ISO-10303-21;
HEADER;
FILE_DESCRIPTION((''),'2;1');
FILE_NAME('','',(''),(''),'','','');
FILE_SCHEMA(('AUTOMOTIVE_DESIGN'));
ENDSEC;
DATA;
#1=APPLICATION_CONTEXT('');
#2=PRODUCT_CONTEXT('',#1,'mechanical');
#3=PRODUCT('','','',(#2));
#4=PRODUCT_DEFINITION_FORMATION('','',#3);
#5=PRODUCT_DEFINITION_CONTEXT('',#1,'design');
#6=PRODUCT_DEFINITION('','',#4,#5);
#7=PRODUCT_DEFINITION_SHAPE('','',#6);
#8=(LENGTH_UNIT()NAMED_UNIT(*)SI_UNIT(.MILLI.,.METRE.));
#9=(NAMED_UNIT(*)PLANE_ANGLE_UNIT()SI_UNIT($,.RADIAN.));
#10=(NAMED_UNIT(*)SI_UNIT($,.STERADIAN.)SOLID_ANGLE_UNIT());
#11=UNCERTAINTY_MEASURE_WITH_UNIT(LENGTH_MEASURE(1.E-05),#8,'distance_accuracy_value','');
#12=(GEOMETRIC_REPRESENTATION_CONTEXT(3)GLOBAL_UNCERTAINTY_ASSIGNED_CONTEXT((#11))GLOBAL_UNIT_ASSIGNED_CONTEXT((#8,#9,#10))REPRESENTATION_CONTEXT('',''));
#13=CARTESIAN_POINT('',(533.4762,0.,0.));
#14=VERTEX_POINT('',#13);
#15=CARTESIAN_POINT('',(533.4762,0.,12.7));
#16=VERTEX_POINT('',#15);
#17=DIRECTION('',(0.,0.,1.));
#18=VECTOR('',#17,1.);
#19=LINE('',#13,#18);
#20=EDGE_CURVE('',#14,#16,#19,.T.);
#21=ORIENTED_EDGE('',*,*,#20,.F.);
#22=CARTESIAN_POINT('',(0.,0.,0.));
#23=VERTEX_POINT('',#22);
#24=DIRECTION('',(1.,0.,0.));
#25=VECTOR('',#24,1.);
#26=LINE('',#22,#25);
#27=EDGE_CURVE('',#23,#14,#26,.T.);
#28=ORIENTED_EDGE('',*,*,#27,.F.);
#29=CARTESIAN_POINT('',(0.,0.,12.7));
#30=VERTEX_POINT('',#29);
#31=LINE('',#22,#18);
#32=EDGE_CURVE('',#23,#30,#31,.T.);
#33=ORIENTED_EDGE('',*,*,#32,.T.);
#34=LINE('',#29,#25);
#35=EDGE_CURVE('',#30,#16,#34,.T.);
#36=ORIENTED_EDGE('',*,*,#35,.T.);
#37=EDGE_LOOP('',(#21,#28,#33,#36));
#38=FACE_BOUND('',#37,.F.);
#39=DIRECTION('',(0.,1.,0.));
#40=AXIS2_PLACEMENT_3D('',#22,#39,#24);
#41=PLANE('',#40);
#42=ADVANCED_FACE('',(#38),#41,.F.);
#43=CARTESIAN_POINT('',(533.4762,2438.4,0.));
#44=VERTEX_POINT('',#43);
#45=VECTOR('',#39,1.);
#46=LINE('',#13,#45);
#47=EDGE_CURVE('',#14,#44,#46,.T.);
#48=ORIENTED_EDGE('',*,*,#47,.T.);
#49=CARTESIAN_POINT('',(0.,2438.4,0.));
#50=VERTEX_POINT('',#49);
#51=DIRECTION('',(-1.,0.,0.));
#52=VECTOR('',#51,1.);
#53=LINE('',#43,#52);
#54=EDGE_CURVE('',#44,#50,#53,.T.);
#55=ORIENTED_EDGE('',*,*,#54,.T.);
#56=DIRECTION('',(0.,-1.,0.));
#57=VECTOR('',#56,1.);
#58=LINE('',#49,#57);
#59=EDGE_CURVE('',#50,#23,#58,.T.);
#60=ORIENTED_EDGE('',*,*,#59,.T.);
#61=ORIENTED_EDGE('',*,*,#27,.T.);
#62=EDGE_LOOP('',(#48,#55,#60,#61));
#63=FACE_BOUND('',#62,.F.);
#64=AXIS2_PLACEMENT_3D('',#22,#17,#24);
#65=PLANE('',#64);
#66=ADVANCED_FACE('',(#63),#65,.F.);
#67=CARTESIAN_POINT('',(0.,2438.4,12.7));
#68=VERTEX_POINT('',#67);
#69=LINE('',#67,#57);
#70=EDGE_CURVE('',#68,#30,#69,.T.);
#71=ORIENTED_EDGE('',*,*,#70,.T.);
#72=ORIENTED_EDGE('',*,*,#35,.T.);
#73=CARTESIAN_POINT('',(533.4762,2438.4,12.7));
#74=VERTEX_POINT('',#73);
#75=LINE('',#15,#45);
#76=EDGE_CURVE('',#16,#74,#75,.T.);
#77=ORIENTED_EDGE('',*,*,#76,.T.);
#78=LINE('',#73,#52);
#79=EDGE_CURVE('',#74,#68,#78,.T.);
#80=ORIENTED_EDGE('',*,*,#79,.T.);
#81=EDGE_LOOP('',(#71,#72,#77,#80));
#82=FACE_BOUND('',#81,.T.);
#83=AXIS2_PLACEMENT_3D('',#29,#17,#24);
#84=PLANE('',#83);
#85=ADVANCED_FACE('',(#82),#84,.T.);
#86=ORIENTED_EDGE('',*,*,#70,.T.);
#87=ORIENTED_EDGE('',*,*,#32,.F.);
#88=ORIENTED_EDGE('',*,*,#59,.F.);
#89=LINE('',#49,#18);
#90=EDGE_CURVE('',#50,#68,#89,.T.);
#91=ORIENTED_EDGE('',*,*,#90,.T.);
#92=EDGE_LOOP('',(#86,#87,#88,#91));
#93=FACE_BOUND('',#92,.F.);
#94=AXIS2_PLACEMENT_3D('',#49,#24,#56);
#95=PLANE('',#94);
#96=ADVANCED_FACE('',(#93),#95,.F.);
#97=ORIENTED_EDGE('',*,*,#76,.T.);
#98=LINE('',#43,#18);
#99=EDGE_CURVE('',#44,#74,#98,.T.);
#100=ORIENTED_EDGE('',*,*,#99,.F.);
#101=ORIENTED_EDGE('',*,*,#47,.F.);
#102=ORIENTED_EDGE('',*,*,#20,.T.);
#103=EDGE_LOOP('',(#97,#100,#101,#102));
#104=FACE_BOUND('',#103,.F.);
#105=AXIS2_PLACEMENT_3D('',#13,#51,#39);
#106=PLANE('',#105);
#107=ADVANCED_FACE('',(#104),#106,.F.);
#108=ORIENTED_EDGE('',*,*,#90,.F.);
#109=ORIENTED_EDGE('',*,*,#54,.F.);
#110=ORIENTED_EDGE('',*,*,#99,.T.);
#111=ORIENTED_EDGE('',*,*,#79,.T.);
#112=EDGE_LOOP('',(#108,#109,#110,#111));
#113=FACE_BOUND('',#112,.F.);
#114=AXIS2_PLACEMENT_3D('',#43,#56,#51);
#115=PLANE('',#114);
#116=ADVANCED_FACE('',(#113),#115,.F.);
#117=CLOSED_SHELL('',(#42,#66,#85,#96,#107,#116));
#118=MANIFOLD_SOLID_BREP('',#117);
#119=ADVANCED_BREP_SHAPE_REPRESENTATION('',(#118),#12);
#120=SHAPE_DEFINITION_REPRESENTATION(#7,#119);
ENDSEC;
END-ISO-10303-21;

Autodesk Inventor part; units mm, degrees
ref_plane "YZ Plane" through (0, 0, 0) normal (1, 0, 0) x (0, 1, 0)
ref_plane "XZ Plane" through (0, 0, 0) normal (0, 1, 0) x (-1, 0, 0)
ref_plane "XY Plane" through (0, 0, 0) normal (0, 0, 1) x (1, 0, 0)
sketch "Sketch1" plane through (0, 0, 0) normal (0, 0, 1) x (1, 0, 0)
  line L0 (0, 0) -> (533.4762, 0)
  line L1 (533.4762, 0) -> (533.4762, 2438.4)
  line L2 (533.4762, 2438.4) -> (0, 2438.4)
  line L3 (0, 2438.4) -> (0, 0)
  dimension "d2" = 2438.4
  dimension "d3" = 533.4762
extrude "Extrusion1" add sketch "Sketch1" along normal blind 12.7
properties part number "OSB_For_Walls_With_Dimensions_20.604_x_96_Inches" material "Wood (Birch)"
